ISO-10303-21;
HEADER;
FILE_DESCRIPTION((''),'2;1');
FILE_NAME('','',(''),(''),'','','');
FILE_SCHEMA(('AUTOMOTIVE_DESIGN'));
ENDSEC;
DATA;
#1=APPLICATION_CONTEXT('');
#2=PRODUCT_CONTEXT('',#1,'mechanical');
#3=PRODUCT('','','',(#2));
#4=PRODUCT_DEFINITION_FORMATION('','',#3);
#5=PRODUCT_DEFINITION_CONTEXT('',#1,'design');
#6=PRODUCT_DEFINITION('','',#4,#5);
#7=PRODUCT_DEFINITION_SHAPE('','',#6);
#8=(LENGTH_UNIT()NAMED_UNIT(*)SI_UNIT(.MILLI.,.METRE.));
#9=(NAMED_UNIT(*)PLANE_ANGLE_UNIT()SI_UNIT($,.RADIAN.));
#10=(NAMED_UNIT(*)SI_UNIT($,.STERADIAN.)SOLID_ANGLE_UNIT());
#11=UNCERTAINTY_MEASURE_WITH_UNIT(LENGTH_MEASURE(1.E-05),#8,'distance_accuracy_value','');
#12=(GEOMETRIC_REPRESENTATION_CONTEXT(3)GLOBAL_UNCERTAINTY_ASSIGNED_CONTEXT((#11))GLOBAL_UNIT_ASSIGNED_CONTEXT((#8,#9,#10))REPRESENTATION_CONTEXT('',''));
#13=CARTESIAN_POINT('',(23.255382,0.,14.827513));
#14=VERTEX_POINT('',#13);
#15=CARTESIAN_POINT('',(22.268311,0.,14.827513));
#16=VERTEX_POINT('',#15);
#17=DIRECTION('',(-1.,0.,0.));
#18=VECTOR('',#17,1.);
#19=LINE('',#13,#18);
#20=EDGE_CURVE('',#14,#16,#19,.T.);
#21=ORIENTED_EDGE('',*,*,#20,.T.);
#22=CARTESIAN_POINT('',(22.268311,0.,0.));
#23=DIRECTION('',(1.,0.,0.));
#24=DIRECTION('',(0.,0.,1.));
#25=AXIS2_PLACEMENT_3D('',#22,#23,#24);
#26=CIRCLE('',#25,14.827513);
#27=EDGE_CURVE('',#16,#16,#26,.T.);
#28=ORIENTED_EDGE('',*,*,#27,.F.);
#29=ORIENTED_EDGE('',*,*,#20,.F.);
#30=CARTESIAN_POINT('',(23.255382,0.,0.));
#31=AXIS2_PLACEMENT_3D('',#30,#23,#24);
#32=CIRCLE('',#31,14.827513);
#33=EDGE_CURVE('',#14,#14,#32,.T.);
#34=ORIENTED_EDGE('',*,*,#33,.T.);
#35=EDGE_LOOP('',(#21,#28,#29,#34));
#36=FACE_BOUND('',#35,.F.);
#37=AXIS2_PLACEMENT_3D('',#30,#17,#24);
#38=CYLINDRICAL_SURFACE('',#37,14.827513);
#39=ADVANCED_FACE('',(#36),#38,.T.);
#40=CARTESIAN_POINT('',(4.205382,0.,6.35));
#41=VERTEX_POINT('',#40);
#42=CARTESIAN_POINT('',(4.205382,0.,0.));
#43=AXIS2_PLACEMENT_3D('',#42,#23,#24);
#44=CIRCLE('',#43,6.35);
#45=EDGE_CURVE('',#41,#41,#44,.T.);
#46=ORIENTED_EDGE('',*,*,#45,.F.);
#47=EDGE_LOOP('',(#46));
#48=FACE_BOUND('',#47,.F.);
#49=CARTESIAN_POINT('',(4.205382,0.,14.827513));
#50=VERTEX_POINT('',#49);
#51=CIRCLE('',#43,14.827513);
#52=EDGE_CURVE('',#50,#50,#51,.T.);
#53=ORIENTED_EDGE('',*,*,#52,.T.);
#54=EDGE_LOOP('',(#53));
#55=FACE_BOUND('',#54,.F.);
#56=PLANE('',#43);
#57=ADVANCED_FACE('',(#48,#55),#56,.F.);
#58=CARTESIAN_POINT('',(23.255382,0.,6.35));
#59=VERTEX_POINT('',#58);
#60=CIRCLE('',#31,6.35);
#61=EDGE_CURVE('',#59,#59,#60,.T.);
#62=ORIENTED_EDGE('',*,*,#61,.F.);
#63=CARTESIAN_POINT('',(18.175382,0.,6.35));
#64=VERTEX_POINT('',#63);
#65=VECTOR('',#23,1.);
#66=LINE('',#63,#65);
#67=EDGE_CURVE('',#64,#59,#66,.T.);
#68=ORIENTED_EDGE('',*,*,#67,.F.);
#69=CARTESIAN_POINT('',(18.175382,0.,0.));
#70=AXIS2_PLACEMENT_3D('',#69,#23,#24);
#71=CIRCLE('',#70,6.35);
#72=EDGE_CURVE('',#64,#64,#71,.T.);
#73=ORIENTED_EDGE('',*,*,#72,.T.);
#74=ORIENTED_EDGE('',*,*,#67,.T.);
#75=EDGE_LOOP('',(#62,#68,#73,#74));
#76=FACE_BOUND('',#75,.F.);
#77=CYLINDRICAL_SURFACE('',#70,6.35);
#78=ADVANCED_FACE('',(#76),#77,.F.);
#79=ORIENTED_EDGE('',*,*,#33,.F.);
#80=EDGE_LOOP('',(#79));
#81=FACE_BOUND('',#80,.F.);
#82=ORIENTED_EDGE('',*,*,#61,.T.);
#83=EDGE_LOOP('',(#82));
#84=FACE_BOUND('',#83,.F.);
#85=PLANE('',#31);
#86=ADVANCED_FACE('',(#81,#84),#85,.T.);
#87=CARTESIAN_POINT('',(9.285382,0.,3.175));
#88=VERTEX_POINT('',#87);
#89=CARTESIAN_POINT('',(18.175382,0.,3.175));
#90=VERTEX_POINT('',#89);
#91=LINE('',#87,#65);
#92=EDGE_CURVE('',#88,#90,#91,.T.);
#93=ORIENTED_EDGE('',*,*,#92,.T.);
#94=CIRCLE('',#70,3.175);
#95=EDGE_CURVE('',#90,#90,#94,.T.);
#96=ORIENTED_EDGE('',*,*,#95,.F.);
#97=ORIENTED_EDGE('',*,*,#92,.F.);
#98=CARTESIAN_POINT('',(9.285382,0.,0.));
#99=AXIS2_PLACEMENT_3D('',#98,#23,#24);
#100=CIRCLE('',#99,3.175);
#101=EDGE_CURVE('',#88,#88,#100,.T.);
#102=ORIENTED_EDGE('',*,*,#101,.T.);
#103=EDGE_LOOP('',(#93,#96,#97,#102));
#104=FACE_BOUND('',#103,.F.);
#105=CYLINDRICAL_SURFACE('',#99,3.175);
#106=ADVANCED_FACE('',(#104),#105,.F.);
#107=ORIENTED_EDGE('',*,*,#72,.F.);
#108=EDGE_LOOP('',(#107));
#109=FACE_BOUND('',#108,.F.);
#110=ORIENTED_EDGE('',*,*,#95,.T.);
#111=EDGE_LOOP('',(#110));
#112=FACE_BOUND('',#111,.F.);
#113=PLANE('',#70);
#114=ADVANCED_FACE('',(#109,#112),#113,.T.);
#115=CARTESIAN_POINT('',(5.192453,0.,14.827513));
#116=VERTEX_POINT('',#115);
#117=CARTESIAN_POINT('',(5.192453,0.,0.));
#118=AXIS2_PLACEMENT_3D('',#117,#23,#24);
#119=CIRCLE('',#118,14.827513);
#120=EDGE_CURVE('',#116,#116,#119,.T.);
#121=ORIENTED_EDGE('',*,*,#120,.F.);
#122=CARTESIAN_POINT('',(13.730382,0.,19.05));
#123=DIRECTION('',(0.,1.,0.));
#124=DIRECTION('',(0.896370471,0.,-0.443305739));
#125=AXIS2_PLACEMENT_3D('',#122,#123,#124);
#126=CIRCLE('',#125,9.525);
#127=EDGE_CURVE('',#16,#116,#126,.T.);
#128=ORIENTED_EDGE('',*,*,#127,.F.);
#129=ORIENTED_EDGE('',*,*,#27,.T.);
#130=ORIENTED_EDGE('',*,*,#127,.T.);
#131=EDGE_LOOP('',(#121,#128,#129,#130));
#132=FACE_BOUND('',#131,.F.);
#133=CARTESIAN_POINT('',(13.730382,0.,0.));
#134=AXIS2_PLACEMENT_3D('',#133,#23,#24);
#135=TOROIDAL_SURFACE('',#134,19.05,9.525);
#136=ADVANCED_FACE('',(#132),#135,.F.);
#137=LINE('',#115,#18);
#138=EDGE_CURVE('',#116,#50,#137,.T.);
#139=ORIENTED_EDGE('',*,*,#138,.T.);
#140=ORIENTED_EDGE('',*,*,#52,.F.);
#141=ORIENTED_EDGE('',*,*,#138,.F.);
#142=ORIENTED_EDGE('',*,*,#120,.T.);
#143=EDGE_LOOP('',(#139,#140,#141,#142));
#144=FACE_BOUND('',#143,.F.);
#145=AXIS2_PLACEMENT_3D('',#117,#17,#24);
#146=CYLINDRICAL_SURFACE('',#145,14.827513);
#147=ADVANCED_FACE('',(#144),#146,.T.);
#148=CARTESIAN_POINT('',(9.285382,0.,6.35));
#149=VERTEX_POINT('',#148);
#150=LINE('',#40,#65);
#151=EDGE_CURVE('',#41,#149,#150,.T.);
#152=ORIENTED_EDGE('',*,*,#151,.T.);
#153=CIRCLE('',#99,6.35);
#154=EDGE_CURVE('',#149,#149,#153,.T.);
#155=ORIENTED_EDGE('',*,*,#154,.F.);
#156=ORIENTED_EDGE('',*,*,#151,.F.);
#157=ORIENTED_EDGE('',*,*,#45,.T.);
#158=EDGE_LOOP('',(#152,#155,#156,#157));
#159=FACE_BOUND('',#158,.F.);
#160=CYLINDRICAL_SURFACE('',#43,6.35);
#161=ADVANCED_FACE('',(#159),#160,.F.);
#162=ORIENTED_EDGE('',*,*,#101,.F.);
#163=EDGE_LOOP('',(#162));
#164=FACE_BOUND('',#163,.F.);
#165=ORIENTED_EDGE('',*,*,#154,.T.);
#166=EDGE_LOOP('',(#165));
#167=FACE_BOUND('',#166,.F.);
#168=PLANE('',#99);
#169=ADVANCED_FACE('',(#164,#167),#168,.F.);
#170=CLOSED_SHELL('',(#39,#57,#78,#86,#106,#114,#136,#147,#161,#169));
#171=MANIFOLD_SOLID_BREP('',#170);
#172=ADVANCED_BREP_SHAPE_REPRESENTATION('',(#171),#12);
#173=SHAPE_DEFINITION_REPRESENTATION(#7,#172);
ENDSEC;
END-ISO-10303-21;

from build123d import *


with BuildPart() as f1:
    # F0 (on Front) → F1 (revolve)
    with BuildSketch(Plane.XZ):
        with BuildLine():
            Line((9.285382, 6.35), (9.285382, 3.175))
            Line((9.285382, 3.175), (18.175382, 3.175))
            Line((18.175382, 3.175), (18.175382, 6.35))
            Line((18.175382, 6.35), (23.255382, 6.35))
            Line((23.255382, 6.35), (23.255382, 14.827513))
            Line((23.255382, 14.827513), (22.268311, 14.827513))
            ThreePointArc((22.268311, 14.827513), (13.730382, 9.525), (5.192453, 14.827513))
            Line((5.192453, 14.827513), (4.205382, 14.827513))
            Line((4.205382, 14.827513), (4.205382, 6.35))
            Line((4.205382, 6.35), (9.285382, 6.35))
        make_face()
    revolve(axis=Axis((20.601824, 0, 0), (1, 0, 0)))


solid = f1.part
